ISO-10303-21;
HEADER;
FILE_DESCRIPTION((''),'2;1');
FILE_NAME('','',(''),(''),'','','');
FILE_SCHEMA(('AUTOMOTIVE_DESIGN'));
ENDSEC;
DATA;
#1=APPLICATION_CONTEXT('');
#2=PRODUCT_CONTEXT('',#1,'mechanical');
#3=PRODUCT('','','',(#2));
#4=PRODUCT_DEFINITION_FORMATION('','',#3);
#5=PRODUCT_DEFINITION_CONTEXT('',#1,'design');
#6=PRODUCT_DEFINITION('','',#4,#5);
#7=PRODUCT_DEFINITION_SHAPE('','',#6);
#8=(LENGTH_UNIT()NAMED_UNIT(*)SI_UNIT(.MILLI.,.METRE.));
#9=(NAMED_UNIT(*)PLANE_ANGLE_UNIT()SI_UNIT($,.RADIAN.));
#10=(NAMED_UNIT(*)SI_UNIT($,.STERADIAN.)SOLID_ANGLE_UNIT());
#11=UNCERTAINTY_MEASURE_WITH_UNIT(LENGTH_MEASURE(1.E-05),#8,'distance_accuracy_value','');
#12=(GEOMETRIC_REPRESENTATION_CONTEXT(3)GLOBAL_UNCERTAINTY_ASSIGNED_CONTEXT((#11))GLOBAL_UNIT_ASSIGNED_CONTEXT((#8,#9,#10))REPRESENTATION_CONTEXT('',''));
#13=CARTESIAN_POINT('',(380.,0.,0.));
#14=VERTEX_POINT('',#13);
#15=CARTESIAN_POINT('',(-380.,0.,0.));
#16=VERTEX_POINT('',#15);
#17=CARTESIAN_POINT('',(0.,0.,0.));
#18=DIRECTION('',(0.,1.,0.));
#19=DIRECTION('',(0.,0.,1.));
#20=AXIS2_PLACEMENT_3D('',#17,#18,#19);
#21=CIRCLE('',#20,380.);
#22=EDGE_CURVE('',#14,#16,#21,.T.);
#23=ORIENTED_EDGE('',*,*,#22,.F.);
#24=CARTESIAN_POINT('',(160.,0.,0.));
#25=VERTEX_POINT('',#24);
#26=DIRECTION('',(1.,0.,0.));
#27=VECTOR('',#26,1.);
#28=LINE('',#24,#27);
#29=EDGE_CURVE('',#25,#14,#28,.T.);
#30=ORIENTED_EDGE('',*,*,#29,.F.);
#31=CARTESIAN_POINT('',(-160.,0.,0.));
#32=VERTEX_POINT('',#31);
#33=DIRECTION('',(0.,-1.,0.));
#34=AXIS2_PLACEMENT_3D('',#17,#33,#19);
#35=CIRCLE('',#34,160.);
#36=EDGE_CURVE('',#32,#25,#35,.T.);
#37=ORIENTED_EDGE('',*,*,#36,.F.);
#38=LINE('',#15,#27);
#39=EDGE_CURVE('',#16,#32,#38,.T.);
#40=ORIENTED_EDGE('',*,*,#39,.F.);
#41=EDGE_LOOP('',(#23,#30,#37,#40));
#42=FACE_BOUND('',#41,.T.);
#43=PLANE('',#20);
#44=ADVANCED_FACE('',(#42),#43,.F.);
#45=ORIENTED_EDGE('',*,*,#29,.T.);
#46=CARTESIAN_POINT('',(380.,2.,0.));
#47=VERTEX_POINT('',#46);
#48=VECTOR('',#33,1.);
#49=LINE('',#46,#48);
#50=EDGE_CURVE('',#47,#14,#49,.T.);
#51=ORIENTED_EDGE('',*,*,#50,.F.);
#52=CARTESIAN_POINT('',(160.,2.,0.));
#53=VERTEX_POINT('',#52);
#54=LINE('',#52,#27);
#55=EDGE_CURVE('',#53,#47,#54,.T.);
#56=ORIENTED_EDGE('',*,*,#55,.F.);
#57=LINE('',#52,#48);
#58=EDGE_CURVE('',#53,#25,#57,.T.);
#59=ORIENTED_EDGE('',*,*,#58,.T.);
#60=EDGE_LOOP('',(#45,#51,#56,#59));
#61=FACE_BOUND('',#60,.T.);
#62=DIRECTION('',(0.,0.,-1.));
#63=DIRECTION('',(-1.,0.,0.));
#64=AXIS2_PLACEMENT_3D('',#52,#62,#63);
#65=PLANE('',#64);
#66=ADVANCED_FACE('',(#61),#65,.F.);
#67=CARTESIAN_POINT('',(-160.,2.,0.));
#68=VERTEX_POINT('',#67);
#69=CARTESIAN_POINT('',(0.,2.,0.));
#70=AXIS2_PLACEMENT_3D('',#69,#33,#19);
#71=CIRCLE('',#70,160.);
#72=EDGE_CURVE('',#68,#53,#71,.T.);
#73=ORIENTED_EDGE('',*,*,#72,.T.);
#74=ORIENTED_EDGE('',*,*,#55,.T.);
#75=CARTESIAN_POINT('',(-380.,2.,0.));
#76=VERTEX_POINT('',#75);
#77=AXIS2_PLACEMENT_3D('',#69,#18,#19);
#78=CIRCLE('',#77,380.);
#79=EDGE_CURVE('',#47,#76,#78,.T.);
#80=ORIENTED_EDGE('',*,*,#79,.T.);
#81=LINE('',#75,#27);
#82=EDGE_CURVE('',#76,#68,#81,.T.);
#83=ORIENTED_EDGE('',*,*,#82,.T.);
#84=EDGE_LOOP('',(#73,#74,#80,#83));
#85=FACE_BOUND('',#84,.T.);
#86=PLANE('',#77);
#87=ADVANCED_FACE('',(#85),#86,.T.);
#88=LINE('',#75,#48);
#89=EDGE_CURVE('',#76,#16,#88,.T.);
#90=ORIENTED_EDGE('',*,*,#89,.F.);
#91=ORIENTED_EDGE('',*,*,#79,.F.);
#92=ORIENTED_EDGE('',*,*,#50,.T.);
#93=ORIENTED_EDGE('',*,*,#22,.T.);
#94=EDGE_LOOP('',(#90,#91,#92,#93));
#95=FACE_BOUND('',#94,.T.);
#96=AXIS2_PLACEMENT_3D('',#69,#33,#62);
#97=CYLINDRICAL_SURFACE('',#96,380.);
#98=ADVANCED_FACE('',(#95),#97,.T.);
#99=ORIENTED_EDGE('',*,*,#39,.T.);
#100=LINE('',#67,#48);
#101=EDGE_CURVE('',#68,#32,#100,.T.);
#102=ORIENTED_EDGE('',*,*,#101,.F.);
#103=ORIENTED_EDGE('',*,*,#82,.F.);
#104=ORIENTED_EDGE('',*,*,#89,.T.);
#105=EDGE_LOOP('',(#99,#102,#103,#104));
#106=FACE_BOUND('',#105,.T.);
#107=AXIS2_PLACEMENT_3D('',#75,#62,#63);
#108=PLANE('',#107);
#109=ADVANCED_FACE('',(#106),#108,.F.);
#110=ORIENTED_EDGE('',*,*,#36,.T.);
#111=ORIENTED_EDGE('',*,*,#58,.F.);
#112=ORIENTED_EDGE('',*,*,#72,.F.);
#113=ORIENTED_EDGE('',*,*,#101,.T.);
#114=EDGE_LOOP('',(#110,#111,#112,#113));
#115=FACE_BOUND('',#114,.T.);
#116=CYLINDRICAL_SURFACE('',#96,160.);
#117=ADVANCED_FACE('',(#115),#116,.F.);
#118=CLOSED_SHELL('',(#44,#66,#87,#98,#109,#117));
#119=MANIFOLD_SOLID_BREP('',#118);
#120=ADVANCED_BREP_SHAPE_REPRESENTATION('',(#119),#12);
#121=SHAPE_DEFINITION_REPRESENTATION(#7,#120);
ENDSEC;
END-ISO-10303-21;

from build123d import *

# Parameters (mm, degrees)
BOSS_EXTRUDE1_DEPTH = 2


with BuildPart() as part:
    # Sketch1 → Boss-Extrude1 (new body)
    with BuildSketch(Plane(origin=(0, 0, 0), x_dir=(1, 0, 0), z_dir=(0, 1, 0))):
        with BuildLine():
            Line((-380, 0), (-160, 0))
            ThreePointArc((-160, 0), (0, 160), (160, 0))
            Line((160, 0), (380, 0))
            ThreePointArc((380, 0), (0, 380), (-380, 0))
        make_face()
    extrude(amount=BOSS_EXTRUDE1_DEPTH)


solid = part.part
